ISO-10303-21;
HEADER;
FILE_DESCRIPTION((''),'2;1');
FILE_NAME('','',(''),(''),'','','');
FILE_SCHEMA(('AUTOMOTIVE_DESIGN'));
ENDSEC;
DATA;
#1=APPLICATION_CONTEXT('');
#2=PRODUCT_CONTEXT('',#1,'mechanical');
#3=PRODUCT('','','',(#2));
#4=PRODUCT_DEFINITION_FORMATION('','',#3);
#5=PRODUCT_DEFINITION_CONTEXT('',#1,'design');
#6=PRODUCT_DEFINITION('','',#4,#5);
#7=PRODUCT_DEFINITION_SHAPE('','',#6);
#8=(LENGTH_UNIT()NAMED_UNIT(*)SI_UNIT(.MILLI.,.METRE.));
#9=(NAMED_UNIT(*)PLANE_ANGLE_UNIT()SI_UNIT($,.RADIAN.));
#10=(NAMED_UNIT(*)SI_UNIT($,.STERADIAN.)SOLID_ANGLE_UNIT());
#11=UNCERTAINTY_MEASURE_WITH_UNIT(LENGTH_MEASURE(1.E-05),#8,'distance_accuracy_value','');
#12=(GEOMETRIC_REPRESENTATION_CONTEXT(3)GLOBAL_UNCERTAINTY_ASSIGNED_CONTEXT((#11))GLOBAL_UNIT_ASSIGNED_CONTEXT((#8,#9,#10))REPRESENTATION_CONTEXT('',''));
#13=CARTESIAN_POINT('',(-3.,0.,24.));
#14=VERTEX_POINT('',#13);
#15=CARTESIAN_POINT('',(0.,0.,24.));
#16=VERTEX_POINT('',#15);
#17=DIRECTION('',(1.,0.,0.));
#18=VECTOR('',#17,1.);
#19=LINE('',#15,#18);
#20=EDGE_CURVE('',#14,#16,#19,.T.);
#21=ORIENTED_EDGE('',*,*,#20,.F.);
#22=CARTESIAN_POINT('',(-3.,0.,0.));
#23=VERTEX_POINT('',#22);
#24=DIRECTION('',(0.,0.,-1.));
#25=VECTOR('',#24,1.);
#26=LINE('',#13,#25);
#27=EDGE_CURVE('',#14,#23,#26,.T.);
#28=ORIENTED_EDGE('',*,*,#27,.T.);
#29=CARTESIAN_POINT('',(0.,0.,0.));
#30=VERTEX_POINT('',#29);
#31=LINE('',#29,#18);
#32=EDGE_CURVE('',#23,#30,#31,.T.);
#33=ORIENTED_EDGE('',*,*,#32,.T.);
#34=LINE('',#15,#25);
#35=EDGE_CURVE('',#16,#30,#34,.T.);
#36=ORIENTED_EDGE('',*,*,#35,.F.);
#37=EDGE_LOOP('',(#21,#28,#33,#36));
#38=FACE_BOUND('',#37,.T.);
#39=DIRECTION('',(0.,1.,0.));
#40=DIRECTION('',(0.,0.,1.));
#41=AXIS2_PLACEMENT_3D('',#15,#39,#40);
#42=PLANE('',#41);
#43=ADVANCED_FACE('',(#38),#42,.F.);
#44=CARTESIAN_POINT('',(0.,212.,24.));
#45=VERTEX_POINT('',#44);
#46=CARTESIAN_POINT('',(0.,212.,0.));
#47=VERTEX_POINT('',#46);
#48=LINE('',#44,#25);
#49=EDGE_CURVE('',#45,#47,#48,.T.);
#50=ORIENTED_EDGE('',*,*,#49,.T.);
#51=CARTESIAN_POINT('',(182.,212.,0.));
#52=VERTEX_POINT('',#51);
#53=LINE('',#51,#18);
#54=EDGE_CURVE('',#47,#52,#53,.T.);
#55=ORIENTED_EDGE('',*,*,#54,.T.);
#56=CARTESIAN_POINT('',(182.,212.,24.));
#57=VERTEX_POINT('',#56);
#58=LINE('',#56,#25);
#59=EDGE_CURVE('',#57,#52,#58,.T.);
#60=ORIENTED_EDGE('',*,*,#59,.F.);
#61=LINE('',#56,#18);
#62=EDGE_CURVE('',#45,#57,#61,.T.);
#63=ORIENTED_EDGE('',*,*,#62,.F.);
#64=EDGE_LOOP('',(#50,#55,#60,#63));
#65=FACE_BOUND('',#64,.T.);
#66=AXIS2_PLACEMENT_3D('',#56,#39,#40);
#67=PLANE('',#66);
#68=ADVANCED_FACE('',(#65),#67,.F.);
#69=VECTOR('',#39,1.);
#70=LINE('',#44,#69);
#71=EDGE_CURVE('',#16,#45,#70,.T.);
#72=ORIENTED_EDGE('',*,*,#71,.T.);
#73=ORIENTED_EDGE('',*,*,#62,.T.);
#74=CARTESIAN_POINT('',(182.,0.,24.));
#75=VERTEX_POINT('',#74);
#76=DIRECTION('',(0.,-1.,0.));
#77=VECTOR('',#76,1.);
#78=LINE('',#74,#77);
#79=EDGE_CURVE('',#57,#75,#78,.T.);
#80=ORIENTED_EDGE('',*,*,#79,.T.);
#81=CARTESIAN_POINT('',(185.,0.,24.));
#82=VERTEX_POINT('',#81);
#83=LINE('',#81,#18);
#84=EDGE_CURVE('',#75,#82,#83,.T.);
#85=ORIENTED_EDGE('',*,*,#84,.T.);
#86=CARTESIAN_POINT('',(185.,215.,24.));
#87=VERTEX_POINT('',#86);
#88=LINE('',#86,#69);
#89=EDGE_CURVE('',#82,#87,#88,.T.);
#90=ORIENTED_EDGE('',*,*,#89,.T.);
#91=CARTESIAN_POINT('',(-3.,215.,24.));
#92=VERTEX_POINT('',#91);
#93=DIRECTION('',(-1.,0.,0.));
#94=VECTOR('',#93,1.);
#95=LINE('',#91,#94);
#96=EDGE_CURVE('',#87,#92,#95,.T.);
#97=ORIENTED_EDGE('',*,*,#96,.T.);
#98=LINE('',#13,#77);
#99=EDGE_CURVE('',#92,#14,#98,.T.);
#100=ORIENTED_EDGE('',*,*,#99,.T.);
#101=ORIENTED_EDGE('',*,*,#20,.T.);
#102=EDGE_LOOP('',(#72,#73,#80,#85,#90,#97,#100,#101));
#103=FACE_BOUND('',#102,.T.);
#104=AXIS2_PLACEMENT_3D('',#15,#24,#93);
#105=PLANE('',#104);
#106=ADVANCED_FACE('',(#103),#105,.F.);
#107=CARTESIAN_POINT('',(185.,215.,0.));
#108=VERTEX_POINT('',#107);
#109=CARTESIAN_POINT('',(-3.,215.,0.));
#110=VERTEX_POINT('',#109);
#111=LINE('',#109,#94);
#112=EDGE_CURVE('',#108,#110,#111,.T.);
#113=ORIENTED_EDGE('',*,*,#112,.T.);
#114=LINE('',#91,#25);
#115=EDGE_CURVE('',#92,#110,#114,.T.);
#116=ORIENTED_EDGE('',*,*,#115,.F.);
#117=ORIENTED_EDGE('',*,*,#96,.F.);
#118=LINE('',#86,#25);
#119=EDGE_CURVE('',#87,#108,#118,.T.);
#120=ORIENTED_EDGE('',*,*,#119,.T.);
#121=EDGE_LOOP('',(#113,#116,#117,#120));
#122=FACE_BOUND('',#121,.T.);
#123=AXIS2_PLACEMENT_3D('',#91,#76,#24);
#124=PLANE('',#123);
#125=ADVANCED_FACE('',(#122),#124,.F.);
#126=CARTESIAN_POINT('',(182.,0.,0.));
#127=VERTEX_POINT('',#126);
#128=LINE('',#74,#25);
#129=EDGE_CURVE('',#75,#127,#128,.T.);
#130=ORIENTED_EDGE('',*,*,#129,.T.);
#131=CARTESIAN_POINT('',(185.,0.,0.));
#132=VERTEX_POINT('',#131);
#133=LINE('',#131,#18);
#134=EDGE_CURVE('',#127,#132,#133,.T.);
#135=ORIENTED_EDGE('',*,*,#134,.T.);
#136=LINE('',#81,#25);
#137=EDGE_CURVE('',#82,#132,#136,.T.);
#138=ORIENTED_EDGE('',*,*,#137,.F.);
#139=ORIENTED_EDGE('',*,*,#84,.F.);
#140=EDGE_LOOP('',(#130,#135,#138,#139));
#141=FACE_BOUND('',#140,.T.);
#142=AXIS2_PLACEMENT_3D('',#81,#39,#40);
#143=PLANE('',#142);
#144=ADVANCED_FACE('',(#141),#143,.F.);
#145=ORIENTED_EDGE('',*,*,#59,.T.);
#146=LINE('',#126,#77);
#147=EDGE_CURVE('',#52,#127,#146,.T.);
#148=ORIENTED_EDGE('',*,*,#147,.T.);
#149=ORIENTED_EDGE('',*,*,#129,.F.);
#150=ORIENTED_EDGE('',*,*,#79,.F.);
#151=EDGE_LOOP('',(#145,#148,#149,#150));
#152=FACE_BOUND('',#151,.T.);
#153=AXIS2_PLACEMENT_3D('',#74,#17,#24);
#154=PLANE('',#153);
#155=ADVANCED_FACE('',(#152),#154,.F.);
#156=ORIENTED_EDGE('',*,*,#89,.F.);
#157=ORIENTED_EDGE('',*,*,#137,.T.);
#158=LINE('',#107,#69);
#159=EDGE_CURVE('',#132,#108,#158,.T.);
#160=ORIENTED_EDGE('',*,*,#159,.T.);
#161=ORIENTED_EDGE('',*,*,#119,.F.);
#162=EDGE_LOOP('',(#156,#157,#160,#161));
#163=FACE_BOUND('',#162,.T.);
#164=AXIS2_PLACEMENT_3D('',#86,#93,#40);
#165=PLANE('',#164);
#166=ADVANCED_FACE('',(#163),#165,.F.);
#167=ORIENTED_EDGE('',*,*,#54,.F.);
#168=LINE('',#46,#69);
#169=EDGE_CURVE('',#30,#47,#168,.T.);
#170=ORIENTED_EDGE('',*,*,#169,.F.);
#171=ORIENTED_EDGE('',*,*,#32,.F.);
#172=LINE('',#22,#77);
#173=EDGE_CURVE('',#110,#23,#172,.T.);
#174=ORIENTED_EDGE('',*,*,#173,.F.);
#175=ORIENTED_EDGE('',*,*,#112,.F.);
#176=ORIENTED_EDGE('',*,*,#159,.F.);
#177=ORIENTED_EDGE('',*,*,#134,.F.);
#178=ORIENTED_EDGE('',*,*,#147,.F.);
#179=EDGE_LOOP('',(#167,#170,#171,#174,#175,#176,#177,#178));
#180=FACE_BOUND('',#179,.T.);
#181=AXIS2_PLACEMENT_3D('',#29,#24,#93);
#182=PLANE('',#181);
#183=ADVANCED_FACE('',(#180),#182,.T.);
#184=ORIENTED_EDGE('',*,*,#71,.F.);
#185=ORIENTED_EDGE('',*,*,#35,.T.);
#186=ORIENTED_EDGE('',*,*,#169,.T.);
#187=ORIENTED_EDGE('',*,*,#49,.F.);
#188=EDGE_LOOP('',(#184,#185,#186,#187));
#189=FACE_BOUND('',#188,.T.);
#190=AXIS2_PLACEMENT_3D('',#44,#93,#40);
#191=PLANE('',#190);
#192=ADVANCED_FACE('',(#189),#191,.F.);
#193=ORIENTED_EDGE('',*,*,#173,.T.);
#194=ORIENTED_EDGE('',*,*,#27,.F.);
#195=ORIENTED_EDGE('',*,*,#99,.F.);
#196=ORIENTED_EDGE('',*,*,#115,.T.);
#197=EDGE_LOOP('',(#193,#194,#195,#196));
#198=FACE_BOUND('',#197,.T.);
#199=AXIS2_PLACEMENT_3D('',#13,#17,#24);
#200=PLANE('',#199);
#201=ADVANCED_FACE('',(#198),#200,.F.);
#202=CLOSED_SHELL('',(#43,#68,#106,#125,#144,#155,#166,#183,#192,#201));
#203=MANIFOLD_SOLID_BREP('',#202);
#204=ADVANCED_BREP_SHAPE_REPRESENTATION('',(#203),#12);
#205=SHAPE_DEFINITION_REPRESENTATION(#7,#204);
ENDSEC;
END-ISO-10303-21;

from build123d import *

# Parameters (mm, degrees)
EXTRUDE_2_DEPTH = 24


with BuildPart() as part:
    # 草图1 → Extrude 2 (new body)
    with BuildSketch(Plane.XY):
        Polygon((-3, 0), (-3, 215), (185, 215), (185, 0), (182, 0), (182, 212), (0, 212), (0, 0), align=None)
    extrude(amount=EXTRUDE_2_DEPTH)


solid = part.part
